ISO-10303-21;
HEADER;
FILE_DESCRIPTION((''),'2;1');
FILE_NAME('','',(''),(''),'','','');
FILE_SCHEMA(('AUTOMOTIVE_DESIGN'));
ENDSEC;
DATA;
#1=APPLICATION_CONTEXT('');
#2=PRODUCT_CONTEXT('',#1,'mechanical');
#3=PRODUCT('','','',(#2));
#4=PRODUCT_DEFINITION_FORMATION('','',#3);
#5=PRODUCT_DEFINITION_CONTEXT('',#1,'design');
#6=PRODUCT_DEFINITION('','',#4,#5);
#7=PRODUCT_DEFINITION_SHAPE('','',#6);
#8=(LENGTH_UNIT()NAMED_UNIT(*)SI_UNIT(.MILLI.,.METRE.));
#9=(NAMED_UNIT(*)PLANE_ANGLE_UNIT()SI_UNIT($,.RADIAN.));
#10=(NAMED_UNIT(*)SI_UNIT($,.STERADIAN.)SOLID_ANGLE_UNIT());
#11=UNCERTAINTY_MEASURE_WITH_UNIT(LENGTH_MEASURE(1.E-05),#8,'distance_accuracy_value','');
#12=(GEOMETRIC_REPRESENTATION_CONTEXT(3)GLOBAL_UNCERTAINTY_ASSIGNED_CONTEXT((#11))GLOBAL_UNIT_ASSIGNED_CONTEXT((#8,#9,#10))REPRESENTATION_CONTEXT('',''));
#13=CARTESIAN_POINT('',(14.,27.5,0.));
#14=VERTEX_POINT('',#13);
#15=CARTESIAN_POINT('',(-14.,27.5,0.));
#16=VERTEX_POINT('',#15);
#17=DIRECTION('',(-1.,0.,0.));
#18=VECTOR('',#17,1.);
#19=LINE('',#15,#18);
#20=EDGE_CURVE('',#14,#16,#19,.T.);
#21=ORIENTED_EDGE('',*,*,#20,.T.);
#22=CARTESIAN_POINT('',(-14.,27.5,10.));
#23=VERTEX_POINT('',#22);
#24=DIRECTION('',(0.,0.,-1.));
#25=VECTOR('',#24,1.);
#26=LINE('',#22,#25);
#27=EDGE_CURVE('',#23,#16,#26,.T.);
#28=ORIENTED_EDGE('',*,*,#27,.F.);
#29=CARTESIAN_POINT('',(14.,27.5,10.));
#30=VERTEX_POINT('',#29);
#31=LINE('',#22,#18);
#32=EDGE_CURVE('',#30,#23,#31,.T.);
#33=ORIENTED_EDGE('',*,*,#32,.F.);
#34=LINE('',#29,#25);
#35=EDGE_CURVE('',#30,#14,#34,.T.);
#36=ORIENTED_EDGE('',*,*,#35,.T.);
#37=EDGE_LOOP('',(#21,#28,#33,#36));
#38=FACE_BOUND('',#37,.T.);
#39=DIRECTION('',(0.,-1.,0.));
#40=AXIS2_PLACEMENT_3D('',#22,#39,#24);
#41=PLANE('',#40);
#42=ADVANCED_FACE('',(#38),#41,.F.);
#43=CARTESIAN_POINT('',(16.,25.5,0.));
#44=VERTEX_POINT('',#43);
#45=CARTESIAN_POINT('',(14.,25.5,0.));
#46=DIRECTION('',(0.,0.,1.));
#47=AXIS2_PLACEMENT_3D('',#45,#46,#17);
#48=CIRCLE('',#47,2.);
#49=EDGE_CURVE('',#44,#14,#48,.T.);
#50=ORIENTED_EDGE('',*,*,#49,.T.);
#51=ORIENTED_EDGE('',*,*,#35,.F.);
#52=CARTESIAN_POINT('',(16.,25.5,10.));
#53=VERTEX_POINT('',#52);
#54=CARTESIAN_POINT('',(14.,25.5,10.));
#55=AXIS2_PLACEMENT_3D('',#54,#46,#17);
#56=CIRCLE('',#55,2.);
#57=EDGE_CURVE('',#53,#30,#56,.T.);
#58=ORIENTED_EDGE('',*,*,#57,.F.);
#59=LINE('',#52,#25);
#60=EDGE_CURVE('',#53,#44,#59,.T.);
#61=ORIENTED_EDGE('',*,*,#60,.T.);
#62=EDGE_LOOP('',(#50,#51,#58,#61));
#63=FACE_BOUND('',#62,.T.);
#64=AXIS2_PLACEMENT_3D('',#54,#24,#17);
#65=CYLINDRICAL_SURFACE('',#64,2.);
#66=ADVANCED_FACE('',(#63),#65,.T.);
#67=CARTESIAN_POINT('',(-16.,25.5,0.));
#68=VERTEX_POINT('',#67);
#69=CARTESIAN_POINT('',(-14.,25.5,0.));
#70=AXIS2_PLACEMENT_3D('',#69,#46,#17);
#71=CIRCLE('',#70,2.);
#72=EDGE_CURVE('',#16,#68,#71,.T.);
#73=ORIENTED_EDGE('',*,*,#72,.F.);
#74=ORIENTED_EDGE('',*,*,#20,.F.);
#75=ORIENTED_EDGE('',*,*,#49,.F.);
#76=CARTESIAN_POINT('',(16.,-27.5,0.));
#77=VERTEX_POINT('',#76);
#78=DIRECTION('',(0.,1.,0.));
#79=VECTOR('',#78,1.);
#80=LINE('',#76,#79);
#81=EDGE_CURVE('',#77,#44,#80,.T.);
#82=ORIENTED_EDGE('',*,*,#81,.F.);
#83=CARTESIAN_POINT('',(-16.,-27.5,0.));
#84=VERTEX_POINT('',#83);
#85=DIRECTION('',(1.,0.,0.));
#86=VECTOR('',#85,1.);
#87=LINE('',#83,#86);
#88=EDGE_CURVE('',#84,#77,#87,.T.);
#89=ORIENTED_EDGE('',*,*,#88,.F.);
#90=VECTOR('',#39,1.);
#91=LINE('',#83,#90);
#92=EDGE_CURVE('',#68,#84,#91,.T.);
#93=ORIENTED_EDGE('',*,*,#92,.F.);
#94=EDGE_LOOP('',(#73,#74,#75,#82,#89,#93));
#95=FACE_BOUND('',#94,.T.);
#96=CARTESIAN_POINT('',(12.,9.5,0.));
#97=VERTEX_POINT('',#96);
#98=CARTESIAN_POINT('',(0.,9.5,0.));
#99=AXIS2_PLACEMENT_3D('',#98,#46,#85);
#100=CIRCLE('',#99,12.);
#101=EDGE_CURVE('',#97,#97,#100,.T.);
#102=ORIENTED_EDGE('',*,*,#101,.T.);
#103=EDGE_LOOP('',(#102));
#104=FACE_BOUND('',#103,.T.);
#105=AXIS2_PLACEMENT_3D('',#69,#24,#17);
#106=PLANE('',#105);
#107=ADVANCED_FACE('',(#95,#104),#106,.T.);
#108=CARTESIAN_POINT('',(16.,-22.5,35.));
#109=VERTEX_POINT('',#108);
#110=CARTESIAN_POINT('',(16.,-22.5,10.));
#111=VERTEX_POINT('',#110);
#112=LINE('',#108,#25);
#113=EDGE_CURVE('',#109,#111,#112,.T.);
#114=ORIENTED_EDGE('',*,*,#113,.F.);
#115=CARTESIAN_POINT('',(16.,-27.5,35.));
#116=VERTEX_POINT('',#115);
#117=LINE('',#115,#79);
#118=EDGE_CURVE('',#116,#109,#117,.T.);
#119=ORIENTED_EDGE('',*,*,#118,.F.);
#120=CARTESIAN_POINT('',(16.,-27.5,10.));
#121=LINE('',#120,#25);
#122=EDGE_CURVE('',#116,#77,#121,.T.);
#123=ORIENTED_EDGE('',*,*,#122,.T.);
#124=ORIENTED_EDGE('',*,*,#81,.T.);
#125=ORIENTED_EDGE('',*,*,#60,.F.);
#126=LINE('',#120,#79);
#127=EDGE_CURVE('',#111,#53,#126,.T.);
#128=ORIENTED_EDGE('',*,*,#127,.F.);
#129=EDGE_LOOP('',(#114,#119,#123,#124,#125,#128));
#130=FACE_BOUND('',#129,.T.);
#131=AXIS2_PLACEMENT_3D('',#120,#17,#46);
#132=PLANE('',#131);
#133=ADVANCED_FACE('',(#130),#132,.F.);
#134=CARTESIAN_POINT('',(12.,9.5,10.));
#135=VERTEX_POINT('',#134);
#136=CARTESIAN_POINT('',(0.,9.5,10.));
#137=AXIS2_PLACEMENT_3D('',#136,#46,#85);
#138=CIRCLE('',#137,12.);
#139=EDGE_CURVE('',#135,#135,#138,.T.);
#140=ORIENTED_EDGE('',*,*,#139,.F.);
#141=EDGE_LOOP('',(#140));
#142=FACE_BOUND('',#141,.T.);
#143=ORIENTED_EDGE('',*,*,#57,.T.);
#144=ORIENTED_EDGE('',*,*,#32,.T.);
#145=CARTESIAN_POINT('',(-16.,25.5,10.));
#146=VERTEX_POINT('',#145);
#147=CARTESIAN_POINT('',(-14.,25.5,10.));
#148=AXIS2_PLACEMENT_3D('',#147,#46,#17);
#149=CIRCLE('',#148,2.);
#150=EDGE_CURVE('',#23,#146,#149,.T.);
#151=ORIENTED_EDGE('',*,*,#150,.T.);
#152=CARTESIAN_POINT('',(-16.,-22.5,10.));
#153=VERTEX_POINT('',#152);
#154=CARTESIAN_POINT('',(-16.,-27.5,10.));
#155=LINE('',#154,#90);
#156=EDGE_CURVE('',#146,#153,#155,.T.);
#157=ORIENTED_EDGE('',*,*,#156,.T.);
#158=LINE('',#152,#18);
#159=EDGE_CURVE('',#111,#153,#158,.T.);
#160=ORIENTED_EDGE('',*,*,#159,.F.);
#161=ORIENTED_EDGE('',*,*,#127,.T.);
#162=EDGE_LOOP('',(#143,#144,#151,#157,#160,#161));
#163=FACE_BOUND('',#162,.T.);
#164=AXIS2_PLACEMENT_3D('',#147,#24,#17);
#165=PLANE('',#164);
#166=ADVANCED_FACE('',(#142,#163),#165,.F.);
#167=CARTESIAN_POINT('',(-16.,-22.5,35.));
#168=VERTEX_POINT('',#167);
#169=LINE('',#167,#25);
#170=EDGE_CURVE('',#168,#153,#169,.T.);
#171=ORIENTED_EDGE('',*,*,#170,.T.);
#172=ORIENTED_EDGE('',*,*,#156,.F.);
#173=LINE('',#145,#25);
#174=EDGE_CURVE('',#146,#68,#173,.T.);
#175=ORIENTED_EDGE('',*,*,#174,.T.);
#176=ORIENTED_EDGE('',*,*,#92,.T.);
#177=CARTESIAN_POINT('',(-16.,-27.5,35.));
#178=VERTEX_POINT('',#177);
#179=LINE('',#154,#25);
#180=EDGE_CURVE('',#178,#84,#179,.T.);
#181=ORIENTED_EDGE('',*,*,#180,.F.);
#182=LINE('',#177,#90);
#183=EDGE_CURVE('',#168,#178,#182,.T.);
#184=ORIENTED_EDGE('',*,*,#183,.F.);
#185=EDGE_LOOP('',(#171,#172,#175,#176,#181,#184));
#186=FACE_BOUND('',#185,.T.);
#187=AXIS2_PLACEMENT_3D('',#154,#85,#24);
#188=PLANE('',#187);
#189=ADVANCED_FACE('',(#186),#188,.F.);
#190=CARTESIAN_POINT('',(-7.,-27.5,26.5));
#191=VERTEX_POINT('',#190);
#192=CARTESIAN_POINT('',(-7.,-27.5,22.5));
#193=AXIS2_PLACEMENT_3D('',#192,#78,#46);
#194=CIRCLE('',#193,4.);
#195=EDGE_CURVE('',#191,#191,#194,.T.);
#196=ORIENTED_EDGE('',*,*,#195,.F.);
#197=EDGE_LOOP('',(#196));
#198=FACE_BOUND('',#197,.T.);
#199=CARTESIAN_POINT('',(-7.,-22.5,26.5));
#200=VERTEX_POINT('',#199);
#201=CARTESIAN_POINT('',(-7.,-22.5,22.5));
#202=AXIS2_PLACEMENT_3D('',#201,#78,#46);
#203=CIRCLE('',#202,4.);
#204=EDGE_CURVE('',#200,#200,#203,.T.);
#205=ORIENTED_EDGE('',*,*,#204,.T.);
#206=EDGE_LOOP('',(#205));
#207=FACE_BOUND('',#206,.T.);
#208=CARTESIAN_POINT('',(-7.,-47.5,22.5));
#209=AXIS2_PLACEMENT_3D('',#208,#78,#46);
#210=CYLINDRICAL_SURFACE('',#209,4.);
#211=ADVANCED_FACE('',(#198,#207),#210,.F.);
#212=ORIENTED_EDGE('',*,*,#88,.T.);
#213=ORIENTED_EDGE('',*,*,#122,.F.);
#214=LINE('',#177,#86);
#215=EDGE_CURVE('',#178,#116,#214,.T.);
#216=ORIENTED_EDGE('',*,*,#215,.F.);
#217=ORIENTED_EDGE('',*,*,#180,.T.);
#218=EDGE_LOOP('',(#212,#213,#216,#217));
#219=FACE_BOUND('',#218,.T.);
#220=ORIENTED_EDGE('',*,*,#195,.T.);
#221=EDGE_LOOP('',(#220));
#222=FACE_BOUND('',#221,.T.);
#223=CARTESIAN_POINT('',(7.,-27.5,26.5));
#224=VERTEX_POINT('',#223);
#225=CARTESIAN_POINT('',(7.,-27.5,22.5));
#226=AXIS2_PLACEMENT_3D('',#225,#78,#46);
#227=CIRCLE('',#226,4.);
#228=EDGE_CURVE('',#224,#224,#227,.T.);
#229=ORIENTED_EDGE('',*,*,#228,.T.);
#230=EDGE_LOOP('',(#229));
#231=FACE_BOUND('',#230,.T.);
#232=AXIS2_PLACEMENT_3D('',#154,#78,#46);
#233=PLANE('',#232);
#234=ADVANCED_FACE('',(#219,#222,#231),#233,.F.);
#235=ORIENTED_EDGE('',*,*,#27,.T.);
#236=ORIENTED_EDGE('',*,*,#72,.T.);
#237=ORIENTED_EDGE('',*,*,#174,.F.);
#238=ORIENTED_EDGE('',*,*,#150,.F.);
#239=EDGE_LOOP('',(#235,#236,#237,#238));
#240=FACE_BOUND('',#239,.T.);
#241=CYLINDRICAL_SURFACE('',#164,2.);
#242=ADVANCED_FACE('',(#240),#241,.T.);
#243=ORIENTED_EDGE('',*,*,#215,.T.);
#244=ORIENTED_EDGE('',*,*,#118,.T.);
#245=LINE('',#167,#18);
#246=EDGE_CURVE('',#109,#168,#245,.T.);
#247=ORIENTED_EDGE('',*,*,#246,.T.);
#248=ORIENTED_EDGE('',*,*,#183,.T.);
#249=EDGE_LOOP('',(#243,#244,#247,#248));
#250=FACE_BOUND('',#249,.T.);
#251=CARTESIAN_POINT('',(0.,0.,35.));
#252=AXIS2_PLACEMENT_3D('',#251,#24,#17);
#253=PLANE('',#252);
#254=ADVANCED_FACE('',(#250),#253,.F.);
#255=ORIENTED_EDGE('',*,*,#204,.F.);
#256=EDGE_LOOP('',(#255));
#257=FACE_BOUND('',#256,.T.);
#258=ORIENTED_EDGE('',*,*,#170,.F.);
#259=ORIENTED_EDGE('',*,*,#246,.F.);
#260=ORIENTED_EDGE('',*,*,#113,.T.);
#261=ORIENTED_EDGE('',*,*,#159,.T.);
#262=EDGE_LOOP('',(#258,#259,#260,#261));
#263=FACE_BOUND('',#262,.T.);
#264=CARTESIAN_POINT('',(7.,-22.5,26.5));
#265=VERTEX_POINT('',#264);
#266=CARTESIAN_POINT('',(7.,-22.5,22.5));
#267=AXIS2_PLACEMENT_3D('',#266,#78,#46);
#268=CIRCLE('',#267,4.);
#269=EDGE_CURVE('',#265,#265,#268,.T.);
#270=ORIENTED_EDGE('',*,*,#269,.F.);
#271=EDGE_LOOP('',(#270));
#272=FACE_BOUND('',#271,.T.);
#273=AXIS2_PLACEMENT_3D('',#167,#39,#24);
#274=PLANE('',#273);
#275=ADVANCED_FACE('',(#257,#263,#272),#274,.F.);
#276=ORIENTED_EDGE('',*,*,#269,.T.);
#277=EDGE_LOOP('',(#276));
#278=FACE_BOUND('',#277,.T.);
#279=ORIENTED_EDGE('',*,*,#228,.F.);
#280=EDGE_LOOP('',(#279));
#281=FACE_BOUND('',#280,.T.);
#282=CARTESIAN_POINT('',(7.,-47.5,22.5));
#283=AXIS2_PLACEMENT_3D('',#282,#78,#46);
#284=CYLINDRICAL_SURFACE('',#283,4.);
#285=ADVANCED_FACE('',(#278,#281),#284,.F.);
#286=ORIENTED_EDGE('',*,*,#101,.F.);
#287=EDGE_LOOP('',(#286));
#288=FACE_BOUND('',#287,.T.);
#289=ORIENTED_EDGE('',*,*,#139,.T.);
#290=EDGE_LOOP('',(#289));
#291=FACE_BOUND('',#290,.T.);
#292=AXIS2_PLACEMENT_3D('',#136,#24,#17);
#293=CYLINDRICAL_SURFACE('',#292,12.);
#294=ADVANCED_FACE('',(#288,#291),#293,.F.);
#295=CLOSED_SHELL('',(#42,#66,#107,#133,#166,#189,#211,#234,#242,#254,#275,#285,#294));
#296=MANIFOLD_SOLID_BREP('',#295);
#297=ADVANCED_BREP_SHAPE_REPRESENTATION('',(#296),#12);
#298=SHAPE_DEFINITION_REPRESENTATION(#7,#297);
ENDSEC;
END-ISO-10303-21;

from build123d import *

# Parameters (mm, degrees)
SKETCH1_R           = 12
BOSS_EXTRUDE1_DEPTH = 10
SKETCH2_W           = 32
SKETCH2_H           = 5
BOSS_EXTRUDE2_DEPTH = 25
SKETCH3_R           = 4
CUT_EXTRUDE1_DEPTH  = 25


with BuildPart() as part:
    # Sketch1 → Boss-Extrude1 (new body)
    with BuildSketch(Plane.XY):
        with BuildLine():
            Line((-16, -27.5), (16, -27.5))
            Line((16, -27.5), (16, 25.5))
            ThreePointArc((16, 25.5), (15.414213562, 26.914213562), (14, 27.5))
            Line((14, 27.5), (-14, 27.5))
            ThreePointArc((-14, 27.5), (-15.414213562, 26.914213562), (-16, 25.5))
            Line((-16, 25.5), (-16, -27.5))
        make_face()
        with Locations((0, 9.5)):
            Circle(SKETCH1_R, mode=Mode.SUBTRACT)
    extrude(amount=BOSS_EXTRUDE1_DEPTH)

    # Sketch2 → Boss-Extrude2 (add)
    with BuildSketch(Plane.XY.offset(10)):
        with Locations((0, -25)):
            Rectangle(SKETCH2_W, SKETCH2_H)
    extrude(amount=BOSS_EXTRUDE2_DEPTH)

    # Sketch3 → Cut-Extrude1 (cut)
    with BuildSketch(Plane(origin=(0, -22.5, 0), x_dir=(1, 0, 0), z_dir=(0, 1, 0))):
        with Locations((-7, -22.5)):
            Circle(SKETCH3_R)
        with Locations((7, -22.5)):
            Circle(SKETCH3_R)
    extrude(amount=-CUT_EXTRUDE1_DEPTH, mode=Mode.SUBTRACT)


solid = part.part
